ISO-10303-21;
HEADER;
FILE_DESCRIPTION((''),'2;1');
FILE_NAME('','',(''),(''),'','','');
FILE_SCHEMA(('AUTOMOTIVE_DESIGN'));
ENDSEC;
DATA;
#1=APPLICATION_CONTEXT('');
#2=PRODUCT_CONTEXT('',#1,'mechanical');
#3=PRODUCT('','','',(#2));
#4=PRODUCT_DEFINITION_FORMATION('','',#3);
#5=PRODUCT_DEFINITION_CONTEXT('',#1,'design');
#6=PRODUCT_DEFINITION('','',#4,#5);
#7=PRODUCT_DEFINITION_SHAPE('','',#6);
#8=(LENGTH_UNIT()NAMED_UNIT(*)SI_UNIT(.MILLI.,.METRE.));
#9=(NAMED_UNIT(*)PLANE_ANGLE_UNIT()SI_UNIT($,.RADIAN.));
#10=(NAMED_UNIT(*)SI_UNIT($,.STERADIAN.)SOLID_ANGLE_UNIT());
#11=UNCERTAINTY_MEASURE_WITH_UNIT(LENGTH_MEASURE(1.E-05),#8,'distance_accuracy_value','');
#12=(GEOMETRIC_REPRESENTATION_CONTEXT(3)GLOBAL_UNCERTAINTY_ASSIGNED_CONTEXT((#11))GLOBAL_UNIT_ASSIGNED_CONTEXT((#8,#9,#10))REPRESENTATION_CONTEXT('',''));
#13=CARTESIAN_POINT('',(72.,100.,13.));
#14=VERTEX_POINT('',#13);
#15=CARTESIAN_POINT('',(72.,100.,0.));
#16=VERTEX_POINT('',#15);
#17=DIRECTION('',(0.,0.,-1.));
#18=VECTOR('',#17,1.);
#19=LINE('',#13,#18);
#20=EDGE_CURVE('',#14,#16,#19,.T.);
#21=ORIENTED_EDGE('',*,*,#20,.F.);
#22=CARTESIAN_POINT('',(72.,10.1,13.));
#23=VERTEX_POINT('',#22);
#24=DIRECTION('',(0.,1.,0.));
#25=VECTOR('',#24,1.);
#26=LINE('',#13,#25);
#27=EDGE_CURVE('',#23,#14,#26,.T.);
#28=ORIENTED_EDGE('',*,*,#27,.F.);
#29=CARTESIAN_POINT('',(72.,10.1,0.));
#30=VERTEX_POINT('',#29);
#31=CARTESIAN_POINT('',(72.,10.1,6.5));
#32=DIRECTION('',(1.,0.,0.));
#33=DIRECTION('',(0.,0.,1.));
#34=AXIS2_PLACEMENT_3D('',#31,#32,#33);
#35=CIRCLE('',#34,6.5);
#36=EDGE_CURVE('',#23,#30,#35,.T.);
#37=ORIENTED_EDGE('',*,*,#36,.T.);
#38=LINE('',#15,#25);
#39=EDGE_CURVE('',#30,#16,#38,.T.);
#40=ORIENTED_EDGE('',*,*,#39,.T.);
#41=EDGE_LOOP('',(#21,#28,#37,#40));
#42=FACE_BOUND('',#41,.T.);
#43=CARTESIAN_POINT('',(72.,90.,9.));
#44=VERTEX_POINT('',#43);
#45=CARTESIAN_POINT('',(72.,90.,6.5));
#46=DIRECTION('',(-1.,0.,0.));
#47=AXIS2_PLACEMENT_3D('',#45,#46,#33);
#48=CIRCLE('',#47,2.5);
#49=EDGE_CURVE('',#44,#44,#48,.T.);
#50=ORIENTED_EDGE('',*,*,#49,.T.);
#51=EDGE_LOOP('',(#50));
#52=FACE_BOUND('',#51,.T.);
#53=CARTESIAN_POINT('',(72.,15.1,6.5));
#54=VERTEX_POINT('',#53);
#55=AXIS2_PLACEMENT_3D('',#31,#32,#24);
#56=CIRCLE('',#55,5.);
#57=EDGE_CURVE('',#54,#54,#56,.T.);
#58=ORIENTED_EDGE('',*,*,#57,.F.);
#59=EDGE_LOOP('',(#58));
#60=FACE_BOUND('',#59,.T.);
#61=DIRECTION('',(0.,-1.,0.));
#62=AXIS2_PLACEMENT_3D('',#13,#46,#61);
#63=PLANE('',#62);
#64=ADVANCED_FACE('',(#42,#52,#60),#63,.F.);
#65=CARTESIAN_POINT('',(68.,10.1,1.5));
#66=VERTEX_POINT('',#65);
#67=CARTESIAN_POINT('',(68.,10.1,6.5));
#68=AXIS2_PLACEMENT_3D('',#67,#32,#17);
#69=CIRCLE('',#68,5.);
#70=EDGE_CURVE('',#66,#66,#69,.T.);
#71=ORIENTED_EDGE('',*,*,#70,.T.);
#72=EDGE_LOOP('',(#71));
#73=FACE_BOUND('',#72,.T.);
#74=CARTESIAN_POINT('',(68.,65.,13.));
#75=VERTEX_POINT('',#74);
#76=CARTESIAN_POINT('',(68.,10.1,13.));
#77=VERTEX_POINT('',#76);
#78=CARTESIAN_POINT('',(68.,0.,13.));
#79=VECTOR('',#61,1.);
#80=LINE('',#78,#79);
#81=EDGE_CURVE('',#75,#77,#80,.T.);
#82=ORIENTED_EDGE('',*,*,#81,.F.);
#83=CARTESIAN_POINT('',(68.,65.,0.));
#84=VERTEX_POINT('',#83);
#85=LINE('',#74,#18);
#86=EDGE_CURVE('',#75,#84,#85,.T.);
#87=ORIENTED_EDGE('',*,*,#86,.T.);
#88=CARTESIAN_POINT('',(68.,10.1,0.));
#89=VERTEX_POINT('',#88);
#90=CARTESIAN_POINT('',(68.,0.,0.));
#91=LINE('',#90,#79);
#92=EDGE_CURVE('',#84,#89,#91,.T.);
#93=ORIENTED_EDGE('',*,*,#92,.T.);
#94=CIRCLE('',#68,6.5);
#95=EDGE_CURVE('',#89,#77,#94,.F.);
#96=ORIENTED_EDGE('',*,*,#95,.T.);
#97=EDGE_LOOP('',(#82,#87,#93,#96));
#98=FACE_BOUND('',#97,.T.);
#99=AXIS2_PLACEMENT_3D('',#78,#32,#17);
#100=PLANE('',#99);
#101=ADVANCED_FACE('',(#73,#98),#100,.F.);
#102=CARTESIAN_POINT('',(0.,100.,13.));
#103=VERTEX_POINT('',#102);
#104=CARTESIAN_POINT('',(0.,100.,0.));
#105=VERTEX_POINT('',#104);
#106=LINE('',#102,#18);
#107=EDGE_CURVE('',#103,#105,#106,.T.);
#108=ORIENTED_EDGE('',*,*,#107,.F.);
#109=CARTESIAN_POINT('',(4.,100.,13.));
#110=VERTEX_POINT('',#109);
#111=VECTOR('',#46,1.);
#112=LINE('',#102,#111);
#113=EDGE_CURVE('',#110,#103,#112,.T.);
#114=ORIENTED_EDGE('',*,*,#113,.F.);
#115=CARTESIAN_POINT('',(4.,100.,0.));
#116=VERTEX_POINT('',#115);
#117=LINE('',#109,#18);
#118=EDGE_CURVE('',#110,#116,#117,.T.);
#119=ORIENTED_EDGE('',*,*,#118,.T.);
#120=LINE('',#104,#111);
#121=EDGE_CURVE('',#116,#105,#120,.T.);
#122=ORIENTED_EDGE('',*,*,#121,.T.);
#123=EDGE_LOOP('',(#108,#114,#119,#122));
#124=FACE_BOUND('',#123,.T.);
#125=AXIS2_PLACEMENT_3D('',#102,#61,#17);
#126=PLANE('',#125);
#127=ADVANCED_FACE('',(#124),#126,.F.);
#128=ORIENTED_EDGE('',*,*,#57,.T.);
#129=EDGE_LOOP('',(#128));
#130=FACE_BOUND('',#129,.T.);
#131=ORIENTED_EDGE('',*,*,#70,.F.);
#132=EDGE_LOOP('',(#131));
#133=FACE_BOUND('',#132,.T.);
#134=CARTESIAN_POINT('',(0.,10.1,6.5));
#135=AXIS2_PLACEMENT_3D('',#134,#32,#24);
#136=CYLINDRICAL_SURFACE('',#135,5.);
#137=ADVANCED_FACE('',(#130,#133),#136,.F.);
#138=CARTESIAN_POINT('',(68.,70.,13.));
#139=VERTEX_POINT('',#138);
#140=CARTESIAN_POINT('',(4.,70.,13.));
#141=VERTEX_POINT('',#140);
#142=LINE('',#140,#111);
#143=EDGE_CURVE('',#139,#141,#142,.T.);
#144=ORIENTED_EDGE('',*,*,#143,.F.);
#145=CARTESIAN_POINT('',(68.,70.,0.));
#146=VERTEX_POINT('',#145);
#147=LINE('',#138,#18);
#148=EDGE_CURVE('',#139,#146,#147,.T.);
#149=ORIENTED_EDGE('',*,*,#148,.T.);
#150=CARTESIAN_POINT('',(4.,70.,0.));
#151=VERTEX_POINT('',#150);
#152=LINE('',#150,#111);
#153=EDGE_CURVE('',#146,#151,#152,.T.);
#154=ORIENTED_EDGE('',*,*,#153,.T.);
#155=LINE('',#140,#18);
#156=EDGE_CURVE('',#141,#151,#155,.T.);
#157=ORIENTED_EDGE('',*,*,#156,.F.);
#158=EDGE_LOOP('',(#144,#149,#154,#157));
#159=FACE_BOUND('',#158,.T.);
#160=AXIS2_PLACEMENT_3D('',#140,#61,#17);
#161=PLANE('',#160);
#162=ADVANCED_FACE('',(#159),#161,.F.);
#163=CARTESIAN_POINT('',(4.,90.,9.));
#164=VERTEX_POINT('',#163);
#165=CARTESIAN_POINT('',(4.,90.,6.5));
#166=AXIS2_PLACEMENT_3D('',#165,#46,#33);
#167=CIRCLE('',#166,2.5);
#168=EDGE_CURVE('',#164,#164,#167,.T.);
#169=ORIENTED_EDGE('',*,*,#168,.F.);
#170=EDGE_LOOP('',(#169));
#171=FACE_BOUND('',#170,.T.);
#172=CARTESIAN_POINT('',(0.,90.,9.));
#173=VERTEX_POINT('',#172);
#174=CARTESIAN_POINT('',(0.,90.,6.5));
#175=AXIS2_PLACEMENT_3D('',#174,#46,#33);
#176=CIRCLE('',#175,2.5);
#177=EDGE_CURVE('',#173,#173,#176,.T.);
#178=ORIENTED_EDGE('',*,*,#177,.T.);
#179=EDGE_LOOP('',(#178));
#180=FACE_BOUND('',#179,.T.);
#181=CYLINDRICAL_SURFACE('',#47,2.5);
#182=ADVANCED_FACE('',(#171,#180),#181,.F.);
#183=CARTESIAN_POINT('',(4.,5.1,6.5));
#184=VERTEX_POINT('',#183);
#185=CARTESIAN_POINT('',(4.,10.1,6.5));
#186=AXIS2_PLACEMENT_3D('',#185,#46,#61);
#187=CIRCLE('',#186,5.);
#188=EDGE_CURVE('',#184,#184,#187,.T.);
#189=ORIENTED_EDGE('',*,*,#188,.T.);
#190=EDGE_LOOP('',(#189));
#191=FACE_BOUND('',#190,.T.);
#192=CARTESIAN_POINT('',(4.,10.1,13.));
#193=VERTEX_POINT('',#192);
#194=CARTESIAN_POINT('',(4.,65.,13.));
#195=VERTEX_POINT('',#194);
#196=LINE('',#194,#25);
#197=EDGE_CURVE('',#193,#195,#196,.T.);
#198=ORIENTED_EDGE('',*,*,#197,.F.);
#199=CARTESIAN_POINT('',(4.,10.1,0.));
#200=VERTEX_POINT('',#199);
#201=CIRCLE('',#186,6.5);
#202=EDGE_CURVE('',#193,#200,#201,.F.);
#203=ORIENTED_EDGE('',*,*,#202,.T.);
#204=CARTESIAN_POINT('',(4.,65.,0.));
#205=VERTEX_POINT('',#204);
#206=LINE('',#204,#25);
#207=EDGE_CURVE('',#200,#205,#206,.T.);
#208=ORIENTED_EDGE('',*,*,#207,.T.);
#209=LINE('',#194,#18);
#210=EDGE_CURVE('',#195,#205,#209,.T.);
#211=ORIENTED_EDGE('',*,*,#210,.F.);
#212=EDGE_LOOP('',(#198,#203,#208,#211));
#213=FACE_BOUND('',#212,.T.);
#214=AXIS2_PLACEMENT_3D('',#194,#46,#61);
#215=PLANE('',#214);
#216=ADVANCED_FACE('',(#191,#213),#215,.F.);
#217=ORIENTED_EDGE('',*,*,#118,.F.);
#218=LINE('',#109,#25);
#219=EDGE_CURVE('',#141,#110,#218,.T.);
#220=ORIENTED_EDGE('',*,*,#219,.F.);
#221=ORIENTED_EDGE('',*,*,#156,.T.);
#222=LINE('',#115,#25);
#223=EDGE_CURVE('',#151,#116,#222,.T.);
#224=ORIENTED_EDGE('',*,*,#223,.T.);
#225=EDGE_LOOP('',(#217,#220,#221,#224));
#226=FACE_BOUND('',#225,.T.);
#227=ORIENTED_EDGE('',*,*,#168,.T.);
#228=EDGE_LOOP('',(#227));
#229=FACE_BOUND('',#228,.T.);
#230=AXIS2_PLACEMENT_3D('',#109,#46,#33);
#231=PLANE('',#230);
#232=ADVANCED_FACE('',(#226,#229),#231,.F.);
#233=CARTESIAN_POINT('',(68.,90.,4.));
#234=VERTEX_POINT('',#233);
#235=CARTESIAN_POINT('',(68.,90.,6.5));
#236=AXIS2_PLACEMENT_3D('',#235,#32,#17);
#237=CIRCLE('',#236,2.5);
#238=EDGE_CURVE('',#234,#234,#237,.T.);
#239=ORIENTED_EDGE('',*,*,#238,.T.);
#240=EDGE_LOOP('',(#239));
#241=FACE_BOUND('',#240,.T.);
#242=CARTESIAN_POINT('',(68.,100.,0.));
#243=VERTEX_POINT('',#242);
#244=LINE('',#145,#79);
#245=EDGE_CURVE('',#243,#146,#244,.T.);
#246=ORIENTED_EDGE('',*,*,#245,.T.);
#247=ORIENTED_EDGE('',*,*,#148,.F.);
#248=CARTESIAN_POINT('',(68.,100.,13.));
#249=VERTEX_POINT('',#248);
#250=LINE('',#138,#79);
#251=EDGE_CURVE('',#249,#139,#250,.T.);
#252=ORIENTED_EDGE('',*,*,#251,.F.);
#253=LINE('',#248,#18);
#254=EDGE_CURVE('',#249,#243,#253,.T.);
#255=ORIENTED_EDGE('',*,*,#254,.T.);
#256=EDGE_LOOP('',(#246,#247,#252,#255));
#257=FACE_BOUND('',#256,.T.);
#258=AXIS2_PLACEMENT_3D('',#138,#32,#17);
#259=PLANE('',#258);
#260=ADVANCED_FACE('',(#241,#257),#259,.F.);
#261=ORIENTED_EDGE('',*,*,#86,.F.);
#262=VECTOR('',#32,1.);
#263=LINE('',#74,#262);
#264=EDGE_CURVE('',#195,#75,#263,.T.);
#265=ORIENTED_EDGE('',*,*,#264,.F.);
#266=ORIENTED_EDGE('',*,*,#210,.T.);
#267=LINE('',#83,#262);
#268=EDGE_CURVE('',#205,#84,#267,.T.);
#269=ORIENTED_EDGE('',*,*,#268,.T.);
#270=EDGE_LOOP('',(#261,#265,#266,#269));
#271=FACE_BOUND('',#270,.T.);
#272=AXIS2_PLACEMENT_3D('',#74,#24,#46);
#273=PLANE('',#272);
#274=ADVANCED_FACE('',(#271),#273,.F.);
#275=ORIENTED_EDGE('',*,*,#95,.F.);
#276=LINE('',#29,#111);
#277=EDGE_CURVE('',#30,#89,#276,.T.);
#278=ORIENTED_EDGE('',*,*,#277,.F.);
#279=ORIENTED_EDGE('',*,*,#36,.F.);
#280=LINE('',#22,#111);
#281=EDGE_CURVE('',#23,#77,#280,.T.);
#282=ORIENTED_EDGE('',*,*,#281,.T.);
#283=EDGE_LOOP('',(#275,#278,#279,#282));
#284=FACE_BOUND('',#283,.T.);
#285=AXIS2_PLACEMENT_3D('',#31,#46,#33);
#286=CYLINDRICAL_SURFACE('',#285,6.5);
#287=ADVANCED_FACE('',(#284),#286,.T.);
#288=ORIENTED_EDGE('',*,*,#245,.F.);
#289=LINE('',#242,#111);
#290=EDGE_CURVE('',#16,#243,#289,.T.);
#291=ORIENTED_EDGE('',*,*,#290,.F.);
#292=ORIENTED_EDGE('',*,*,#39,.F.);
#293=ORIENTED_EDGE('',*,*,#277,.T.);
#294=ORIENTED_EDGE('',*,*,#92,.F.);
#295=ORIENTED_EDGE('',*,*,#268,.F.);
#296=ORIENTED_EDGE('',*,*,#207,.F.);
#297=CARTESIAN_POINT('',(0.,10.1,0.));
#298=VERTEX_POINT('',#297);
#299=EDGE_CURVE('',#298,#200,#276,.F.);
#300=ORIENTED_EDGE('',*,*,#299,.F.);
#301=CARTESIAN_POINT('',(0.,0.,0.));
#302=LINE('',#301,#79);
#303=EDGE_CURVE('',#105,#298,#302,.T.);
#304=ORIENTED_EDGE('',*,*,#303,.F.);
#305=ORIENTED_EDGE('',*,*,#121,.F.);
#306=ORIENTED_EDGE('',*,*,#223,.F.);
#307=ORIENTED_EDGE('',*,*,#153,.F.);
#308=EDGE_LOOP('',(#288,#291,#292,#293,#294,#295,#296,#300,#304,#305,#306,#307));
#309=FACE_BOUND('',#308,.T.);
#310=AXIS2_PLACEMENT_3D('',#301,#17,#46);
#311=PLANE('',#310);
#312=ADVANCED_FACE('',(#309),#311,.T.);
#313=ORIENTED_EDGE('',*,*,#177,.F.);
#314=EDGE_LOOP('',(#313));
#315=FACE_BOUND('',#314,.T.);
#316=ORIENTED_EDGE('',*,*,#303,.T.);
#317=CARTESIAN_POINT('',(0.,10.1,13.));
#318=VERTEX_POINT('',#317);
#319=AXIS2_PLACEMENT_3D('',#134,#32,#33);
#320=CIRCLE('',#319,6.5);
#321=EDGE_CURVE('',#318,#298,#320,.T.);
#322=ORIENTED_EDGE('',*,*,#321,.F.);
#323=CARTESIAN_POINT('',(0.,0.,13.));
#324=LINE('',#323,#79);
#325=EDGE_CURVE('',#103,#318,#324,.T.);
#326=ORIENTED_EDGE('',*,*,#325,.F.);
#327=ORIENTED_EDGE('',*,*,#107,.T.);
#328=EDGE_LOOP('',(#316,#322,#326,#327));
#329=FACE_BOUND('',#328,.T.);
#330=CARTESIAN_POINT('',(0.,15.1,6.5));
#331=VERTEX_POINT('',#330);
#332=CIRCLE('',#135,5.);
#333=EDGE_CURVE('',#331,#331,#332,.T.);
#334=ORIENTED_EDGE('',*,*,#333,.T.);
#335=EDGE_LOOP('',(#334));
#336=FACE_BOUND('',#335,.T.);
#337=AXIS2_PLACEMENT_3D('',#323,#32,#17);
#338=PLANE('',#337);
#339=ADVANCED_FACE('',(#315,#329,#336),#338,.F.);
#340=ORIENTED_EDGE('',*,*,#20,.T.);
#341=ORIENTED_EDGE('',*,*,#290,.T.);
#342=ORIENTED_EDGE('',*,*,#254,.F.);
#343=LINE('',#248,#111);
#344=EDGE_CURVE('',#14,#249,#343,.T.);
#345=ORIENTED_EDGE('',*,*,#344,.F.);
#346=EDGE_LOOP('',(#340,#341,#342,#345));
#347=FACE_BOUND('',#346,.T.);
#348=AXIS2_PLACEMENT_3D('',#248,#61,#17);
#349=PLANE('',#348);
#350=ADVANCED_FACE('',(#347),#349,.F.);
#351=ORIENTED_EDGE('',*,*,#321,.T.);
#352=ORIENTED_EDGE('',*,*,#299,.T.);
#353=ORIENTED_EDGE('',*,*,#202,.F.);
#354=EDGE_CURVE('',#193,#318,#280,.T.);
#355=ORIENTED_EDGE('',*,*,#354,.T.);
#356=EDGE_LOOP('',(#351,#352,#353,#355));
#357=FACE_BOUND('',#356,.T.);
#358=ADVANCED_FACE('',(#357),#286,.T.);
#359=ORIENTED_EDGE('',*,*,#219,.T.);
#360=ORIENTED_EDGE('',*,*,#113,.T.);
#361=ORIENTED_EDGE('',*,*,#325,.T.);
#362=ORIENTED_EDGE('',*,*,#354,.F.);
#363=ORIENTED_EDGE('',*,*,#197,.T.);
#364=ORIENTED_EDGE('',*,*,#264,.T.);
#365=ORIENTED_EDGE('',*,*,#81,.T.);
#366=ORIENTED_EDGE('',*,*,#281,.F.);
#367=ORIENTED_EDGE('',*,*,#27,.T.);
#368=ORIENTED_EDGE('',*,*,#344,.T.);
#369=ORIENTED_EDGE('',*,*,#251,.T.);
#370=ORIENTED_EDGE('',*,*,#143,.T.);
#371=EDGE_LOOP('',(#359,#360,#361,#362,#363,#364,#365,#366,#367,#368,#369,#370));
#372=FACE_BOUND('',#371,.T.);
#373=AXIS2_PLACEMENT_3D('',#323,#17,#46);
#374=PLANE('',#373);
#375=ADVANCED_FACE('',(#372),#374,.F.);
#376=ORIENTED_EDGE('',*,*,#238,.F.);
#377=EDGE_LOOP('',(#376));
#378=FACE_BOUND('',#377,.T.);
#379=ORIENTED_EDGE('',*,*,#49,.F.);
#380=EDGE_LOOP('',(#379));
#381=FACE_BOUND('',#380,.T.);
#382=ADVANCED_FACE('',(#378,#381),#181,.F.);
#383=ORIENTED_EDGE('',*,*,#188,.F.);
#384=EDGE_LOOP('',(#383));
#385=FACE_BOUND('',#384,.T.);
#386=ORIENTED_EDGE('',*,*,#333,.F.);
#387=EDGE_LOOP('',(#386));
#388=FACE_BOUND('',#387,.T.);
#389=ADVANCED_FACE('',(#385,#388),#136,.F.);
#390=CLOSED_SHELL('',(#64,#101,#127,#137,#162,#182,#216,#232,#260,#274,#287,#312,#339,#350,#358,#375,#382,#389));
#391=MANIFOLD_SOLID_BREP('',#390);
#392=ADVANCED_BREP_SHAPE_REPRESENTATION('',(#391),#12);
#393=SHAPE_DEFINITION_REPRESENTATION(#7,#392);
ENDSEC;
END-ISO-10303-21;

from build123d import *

# Parameters (mm, degrees)
BOSS_EXTRU_1_DEPTH      = 13
ESQUISSE2_R             = 5
ENL_V_MAT_EXTRU_1_DEPTH = 124.907223357
ESQUISSE3_R             = 2.5
ENL_V_MAT_EXTRU_2_DEPTH = 124.907223357
ENL_V_MAT_EXTRU_4_DEPTH = 124.907223357


with BuildPart() as part:
    # Esquisse1 → Boss.-Extru.1 (new body)
    with BuildSketch(Plane.XY):
        Polygon((0, 0), (0, 100), (4, 100), (4, 70), (68, 70), (68, 100), (72, 100), (72, 0), (68, 0), (68, 65), (4, 65), (4, 0), align=None)
    extrude(amount=BOSS_EXTRU_1_DEPTH)

    # Esquisse2 → Enlèv. mat.-Extru.1 (cut, through all)
    with BuildSketch(Plane(origin=(72, 0, 0), x_dir=(0, 0, -1), z_dir=(1, 0, 0))):
        with Locations(Location((-6.5, 10.1, 0), (0, 0, 90))):
            Circle(ESQUISSE2_R)
    extrude(amount=-ENL_V_MAT_EXTRU_1_DEPTH, mode=Mode.SUBTRACT)

    # Esquisse3 → Enlèv. mat.-Extru.2 (cut, through all)
    with BuildSketch(Plane.ZY):
        with Locations((6.5, 90)):
            Circle(ESQUISSE3_R)
    extrude(amount=-ENL_V_MAT_EXTRU_2_DEPTH, mode=Mode.SUBTRACT)

    # Esquisse5 → Enlèv. mat.-Extru.4 (cut, through all)
    with BuildSketch(Plane.ZY):
        with BuildLine():
            Line((0, 10.1), (0, -2.98091379))
            Line((0, -2.98091379), (15.001453012, -2.98091379))
            Line((15.001453012, -2.98091379), (15.001453012, 10.1))
            Line((15.001453012, 10.1), (13, 10.1))
            ThreePointArc((13, 10.1), (6.5, 3.6), (0, 10.1))
        make_face()
    extrude(amount=-ENL_V_MAT_EXTRU_4_DEPTH, mode=Mode.SUBTRACT)


solid = part.part
